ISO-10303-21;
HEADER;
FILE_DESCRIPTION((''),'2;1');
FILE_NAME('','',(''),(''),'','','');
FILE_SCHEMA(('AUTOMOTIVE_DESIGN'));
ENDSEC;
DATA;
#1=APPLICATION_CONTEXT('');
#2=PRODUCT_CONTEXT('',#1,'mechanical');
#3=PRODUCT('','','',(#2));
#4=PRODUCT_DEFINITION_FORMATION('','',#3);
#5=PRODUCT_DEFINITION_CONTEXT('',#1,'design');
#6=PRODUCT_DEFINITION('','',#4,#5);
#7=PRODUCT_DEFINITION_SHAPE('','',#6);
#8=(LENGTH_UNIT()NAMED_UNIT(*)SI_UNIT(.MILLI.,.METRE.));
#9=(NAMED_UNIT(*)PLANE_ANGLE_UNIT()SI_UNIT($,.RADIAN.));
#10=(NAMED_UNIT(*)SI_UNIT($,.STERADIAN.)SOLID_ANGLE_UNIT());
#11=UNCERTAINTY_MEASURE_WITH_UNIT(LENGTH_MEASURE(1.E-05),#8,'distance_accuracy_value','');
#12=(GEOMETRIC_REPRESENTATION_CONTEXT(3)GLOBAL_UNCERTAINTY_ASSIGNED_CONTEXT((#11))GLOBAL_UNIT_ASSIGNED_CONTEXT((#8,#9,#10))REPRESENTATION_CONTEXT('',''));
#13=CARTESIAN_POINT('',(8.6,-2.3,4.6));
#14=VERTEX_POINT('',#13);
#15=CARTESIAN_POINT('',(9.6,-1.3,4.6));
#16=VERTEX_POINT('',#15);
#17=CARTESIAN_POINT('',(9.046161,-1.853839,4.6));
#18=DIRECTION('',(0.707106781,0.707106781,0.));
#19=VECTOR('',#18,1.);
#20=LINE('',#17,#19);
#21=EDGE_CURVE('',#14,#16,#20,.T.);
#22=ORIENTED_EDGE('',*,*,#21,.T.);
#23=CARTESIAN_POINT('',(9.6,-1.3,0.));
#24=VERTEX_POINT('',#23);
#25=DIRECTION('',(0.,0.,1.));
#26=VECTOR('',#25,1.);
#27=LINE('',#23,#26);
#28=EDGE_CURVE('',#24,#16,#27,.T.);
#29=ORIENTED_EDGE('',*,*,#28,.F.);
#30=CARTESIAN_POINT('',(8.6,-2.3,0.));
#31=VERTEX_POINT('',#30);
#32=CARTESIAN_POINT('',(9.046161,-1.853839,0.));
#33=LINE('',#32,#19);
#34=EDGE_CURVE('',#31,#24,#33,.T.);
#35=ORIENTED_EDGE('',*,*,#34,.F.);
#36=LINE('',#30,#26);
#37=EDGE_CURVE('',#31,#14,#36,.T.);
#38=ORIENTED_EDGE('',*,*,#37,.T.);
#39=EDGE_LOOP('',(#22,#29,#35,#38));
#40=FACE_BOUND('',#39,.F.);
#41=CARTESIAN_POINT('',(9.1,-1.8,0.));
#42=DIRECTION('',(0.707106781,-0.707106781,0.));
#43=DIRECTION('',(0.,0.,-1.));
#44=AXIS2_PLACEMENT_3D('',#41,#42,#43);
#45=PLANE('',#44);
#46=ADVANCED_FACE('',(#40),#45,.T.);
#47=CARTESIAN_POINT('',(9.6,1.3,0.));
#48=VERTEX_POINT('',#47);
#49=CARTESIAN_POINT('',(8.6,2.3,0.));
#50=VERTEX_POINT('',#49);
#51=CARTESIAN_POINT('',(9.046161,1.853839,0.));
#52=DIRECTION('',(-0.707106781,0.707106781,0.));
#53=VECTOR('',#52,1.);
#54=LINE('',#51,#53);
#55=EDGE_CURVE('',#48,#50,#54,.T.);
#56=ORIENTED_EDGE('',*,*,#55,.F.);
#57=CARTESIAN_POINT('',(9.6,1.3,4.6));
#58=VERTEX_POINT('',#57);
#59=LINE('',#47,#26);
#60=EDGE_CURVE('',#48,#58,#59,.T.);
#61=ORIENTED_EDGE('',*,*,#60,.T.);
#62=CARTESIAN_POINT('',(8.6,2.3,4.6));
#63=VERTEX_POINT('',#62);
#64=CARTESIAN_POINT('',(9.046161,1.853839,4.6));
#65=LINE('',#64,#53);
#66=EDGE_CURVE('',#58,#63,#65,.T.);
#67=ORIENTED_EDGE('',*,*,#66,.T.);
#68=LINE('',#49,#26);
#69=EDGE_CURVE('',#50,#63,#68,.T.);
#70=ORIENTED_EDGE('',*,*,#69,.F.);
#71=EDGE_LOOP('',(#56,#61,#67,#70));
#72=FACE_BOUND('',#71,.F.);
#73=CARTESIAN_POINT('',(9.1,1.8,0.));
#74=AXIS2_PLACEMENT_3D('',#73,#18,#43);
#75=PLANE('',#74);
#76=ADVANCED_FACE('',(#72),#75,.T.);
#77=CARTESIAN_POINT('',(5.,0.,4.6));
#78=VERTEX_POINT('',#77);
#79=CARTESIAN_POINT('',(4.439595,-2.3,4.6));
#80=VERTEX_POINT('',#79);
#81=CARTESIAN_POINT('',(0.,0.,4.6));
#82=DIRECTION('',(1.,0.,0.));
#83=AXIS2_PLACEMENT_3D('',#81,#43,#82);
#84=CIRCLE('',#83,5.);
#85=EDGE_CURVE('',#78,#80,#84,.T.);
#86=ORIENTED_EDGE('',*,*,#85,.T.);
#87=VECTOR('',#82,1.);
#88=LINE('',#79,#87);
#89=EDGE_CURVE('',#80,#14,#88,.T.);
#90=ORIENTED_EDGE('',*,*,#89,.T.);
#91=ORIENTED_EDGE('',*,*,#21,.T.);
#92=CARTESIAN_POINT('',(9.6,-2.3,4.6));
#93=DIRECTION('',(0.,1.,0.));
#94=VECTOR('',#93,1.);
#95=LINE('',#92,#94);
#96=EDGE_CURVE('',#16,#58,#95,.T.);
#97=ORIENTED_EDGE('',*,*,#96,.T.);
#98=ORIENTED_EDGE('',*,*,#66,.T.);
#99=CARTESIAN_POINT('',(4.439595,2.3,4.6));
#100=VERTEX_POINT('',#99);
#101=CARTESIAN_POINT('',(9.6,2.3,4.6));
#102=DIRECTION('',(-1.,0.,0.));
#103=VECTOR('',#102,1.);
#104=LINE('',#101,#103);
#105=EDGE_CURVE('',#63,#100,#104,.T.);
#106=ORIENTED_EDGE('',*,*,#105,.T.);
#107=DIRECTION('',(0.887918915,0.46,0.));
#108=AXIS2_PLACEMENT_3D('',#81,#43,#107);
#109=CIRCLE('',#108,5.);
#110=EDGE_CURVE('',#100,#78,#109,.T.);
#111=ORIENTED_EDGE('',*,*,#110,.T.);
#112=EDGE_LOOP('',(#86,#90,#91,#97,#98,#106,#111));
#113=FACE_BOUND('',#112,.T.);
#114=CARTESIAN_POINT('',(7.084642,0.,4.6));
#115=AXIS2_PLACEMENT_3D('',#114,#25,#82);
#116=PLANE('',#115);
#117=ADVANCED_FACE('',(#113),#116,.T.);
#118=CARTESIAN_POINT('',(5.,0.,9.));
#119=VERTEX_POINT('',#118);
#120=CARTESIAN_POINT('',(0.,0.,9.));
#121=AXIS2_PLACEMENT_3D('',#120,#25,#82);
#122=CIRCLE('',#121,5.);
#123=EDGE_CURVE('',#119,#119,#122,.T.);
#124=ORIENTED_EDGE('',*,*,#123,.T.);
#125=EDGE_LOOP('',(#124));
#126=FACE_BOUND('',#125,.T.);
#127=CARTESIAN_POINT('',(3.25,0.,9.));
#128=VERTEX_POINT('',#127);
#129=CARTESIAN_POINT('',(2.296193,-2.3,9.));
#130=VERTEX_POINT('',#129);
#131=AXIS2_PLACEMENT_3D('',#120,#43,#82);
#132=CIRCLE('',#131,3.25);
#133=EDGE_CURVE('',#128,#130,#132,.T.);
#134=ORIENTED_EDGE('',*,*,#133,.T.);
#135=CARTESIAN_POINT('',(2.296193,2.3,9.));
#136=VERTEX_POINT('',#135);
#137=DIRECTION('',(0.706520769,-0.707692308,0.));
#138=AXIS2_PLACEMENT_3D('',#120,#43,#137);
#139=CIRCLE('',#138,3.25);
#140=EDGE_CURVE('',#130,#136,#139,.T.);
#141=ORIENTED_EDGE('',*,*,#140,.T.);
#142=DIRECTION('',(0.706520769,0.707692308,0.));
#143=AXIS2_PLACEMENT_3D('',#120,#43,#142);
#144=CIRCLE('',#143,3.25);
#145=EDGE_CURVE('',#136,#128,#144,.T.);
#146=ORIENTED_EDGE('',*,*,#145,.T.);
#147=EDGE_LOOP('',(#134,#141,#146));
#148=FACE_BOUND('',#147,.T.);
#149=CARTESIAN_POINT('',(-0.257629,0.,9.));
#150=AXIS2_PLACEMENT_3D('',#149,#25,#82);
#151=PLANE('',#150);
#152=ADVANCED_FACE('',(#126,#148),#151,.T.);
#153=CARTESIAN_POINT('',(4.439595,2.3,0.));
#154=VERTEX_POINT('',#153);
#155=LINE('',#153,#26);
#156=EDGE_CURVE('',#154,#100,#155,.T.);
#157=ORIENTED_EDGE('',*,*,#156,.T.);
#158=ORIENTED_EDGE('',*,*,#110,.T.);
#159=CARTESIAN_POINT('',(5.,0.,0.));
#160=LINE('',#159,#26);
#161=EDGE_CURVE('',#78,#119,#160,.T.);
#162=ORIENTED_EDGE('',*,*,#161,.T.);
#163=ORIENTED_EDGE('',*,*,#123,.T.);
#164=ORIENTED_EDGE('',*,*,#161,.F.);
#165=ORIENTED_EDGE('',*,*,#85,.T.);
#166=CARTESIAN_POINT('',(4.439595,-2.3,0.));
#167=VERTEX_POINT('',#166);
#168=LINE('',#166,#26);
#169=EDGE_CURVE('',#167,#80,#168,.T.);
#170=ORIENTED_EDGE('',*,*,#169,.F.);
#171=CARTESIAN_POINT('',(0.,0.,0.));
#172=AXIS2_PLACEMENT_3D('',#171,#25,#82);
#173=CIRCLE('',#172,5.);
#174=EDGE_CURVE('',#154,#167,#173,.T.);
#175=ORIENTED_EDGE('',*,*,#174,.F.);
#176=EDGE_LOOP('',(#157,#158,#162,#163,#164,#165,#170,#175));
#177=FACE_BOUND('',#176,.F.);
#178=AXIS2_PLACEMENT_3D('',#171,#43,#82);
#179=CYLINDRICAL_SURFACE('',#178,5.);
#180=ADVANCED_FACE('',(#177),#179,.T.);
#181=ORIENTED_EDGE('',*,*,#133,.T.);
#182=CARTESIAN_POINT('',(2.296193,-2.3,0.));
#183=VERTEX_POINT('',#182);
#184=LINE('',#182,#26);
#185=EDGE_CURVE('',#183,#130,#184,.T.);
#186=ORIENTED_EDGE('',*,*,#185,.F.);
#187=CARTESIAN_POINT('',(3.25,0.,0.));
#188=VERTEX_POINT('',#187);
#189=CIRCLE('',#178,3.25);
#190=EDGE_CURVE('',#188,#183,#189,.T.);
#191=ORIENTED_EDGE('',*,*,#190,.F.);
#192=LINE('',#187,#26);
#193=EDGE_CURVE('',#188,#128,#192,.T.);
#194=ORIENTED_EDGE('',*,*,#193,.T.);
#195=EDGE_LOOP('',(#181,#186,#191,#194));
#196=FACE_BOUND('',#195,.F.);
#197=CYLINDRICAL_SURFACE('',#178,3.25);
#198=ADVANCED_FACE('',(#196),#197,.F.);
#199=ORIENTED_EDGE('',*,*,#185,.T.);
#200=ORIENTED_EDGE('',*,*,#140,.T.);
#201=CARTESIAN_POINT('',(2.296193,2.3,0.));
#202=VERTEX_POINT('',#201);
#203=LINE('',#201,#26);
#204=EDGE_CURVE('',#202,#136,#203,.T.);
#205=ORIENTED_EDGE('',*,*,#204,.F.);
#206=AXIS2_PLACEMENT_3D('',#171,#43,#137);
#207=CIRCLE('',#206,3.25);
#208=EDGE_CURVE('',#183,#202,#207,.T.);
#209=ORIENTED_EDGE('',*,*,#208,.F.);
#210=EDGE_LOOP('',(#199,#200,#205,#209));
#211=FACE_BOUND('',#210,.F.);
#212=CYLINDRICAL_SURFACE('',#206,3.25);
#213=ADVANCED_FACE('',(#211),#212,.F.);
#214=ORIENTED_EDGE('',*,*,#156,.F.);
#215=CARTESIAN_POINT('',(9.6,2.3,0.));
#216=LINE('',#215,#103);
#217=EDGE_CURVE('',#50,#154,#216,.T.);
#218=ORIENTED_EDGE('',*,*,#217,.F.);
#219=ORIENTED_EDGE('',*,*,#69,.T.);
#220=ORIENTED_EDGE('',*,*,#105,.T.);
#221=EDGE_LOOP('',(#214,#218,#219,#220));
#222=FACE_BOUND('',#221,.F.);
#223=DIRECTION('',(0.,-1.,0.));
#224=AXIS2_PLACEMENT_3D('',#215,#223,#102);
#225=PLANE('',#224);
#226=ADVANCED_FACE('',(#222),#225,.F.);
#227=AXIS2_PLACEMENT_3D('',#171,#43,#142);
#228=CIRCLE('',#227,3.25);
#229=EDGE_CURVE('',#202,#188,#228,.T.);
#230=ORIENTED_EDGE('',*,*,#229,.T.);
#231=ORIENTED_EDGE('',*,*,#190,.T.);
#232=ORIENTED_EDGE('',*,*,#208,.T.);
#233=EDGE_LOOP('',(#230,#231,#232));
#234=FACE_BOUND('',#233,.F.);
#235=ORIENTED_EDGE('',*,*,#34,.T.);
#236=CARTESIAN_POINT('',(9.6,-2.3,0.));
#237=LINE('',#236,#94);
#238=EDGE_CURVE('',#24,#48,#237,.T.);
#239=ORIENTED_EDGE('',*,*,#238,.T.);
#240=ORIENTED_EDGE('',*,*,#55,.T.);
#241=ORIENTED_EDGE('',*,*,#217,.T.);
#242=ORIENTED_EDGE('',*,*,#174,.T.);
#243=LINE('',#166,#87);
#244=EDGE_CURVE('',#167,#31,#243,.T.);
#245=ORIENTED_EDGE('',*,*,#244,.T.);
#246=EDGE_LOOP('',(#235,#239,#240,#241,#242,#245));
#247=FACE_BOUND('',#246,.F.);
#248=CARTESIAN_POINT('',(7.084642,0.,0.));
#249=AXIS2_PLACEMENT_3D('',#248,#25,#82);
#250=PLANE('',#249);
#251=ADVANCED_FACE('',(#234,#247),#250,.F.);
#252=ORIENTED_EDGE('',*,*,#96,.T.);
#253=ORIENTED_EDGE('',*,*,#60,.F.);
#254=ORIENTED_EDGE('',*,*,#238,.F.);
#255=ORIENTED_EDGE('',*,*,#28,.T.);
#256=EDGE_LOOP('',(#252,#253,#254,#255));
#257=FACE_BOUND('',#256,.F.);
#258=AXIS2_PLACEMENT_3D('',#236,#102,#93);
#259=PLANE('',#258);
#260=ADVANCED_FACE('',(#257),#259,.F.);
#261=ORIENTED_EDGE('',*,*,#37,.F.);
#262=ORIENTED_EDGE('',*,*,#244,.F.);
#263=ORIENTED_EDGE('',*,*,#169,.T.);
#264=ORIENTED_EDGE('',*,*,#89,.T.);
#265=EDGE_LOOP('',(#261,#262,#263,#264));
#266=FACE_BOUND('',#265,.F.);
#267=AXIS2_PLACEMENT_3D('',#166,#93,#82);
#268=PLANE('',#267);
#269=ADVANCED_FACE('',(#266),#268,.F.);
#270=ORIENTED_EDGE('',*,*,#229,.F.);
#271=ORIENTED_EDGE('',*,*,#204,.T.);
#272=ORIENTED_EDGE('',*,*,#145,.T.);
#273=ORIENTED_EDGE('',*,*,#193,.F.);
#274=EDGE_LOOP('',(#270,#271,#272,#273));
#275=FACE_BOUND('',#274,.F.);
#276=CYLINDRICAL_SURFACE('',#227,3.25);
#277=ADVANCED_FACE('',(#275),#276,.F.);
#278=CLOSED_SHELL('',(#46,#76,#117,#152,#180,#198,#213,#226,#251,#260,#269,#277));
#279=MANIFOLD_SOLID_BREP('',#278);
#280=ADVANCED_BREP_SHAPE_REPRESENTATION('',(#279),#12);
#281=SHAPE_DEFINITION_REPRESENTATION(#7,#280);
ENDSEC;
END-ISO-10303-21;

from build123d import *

# Parameters (mm, degrees)
F1_DEPTH = 9
F2_DEPTH = 4.6
F3_SIZE  = 1


with BuildPart() as f1:
    # F0 (on Top) → F1 (new body)
    with BuildSketch(Plane.XY):
        with BuildLine():
            ThreePointArc((4.4395945761, 2.3), (-5, 0), (4.4395945761, -2.3))
            Line((4.4395945761, -2.3), (2.2961925006, -2.3))
            ThreePointArc((2.2961925006, -2.3), (-3.25, 0), (2.2961925006, 2.3))
            Line((2.2961925006, 2.3), (4.4395945761, 2.3))
        make_face()
        with BuildLine():
            Line((2.2961925006, -2.3), (4.4395945761, -2.3))
            ThreePointArc((4.4395945761, -2.3), (4.8578788005, -1.1836441863), (5, 0))
            ThreePointArc((5, 0), (4.8578788005, 1.1836441863), (4.4395945761, 2.3))
            Line((4.4395945761, 2.3), (2.2961925006, 2.3))
            ThreePointArc((2.2961925006, 2.3), (3.0020930721, 1.244964733), (3.25, 0))
            ThreePointArc((3.25, 0), (3.0020930721, -1.244964733), (2.2961925006, -2.3))
        make_face()
    extrude(amount=F1_DEPTH)

    # F0 (on Top) → F2 (join)
    with BuildSketch(Plane.XY):
        with BuildLine():
            Line((4.4395945761, -2.3), (9.6, -2.3))
            Line((9.6, -2.3), (9.6, 2.3))
            Line((9.6, 2.3), (4.4395945761, 2.3))
            ThreePointArc((4.4395945761, 2.3), (4.8578788005, 1.1836441863), (5, 0))
            ThreePointArc((5, 0), (4.8578788005, -1.1836441863), (4.4395945761, -2.3))
        make_face()
    extrude(amount=F2_DEPTH)

    # F3
    f3_edges = [f1.edges().sort_by_distance(p)[0] for p in [
        (9.6, -2.3, 2.3),
        (9.6, 2.3, 2.3),
    ]]
    chamfer(f3_edges, length=F3_SIZE)


solid = f1.part
